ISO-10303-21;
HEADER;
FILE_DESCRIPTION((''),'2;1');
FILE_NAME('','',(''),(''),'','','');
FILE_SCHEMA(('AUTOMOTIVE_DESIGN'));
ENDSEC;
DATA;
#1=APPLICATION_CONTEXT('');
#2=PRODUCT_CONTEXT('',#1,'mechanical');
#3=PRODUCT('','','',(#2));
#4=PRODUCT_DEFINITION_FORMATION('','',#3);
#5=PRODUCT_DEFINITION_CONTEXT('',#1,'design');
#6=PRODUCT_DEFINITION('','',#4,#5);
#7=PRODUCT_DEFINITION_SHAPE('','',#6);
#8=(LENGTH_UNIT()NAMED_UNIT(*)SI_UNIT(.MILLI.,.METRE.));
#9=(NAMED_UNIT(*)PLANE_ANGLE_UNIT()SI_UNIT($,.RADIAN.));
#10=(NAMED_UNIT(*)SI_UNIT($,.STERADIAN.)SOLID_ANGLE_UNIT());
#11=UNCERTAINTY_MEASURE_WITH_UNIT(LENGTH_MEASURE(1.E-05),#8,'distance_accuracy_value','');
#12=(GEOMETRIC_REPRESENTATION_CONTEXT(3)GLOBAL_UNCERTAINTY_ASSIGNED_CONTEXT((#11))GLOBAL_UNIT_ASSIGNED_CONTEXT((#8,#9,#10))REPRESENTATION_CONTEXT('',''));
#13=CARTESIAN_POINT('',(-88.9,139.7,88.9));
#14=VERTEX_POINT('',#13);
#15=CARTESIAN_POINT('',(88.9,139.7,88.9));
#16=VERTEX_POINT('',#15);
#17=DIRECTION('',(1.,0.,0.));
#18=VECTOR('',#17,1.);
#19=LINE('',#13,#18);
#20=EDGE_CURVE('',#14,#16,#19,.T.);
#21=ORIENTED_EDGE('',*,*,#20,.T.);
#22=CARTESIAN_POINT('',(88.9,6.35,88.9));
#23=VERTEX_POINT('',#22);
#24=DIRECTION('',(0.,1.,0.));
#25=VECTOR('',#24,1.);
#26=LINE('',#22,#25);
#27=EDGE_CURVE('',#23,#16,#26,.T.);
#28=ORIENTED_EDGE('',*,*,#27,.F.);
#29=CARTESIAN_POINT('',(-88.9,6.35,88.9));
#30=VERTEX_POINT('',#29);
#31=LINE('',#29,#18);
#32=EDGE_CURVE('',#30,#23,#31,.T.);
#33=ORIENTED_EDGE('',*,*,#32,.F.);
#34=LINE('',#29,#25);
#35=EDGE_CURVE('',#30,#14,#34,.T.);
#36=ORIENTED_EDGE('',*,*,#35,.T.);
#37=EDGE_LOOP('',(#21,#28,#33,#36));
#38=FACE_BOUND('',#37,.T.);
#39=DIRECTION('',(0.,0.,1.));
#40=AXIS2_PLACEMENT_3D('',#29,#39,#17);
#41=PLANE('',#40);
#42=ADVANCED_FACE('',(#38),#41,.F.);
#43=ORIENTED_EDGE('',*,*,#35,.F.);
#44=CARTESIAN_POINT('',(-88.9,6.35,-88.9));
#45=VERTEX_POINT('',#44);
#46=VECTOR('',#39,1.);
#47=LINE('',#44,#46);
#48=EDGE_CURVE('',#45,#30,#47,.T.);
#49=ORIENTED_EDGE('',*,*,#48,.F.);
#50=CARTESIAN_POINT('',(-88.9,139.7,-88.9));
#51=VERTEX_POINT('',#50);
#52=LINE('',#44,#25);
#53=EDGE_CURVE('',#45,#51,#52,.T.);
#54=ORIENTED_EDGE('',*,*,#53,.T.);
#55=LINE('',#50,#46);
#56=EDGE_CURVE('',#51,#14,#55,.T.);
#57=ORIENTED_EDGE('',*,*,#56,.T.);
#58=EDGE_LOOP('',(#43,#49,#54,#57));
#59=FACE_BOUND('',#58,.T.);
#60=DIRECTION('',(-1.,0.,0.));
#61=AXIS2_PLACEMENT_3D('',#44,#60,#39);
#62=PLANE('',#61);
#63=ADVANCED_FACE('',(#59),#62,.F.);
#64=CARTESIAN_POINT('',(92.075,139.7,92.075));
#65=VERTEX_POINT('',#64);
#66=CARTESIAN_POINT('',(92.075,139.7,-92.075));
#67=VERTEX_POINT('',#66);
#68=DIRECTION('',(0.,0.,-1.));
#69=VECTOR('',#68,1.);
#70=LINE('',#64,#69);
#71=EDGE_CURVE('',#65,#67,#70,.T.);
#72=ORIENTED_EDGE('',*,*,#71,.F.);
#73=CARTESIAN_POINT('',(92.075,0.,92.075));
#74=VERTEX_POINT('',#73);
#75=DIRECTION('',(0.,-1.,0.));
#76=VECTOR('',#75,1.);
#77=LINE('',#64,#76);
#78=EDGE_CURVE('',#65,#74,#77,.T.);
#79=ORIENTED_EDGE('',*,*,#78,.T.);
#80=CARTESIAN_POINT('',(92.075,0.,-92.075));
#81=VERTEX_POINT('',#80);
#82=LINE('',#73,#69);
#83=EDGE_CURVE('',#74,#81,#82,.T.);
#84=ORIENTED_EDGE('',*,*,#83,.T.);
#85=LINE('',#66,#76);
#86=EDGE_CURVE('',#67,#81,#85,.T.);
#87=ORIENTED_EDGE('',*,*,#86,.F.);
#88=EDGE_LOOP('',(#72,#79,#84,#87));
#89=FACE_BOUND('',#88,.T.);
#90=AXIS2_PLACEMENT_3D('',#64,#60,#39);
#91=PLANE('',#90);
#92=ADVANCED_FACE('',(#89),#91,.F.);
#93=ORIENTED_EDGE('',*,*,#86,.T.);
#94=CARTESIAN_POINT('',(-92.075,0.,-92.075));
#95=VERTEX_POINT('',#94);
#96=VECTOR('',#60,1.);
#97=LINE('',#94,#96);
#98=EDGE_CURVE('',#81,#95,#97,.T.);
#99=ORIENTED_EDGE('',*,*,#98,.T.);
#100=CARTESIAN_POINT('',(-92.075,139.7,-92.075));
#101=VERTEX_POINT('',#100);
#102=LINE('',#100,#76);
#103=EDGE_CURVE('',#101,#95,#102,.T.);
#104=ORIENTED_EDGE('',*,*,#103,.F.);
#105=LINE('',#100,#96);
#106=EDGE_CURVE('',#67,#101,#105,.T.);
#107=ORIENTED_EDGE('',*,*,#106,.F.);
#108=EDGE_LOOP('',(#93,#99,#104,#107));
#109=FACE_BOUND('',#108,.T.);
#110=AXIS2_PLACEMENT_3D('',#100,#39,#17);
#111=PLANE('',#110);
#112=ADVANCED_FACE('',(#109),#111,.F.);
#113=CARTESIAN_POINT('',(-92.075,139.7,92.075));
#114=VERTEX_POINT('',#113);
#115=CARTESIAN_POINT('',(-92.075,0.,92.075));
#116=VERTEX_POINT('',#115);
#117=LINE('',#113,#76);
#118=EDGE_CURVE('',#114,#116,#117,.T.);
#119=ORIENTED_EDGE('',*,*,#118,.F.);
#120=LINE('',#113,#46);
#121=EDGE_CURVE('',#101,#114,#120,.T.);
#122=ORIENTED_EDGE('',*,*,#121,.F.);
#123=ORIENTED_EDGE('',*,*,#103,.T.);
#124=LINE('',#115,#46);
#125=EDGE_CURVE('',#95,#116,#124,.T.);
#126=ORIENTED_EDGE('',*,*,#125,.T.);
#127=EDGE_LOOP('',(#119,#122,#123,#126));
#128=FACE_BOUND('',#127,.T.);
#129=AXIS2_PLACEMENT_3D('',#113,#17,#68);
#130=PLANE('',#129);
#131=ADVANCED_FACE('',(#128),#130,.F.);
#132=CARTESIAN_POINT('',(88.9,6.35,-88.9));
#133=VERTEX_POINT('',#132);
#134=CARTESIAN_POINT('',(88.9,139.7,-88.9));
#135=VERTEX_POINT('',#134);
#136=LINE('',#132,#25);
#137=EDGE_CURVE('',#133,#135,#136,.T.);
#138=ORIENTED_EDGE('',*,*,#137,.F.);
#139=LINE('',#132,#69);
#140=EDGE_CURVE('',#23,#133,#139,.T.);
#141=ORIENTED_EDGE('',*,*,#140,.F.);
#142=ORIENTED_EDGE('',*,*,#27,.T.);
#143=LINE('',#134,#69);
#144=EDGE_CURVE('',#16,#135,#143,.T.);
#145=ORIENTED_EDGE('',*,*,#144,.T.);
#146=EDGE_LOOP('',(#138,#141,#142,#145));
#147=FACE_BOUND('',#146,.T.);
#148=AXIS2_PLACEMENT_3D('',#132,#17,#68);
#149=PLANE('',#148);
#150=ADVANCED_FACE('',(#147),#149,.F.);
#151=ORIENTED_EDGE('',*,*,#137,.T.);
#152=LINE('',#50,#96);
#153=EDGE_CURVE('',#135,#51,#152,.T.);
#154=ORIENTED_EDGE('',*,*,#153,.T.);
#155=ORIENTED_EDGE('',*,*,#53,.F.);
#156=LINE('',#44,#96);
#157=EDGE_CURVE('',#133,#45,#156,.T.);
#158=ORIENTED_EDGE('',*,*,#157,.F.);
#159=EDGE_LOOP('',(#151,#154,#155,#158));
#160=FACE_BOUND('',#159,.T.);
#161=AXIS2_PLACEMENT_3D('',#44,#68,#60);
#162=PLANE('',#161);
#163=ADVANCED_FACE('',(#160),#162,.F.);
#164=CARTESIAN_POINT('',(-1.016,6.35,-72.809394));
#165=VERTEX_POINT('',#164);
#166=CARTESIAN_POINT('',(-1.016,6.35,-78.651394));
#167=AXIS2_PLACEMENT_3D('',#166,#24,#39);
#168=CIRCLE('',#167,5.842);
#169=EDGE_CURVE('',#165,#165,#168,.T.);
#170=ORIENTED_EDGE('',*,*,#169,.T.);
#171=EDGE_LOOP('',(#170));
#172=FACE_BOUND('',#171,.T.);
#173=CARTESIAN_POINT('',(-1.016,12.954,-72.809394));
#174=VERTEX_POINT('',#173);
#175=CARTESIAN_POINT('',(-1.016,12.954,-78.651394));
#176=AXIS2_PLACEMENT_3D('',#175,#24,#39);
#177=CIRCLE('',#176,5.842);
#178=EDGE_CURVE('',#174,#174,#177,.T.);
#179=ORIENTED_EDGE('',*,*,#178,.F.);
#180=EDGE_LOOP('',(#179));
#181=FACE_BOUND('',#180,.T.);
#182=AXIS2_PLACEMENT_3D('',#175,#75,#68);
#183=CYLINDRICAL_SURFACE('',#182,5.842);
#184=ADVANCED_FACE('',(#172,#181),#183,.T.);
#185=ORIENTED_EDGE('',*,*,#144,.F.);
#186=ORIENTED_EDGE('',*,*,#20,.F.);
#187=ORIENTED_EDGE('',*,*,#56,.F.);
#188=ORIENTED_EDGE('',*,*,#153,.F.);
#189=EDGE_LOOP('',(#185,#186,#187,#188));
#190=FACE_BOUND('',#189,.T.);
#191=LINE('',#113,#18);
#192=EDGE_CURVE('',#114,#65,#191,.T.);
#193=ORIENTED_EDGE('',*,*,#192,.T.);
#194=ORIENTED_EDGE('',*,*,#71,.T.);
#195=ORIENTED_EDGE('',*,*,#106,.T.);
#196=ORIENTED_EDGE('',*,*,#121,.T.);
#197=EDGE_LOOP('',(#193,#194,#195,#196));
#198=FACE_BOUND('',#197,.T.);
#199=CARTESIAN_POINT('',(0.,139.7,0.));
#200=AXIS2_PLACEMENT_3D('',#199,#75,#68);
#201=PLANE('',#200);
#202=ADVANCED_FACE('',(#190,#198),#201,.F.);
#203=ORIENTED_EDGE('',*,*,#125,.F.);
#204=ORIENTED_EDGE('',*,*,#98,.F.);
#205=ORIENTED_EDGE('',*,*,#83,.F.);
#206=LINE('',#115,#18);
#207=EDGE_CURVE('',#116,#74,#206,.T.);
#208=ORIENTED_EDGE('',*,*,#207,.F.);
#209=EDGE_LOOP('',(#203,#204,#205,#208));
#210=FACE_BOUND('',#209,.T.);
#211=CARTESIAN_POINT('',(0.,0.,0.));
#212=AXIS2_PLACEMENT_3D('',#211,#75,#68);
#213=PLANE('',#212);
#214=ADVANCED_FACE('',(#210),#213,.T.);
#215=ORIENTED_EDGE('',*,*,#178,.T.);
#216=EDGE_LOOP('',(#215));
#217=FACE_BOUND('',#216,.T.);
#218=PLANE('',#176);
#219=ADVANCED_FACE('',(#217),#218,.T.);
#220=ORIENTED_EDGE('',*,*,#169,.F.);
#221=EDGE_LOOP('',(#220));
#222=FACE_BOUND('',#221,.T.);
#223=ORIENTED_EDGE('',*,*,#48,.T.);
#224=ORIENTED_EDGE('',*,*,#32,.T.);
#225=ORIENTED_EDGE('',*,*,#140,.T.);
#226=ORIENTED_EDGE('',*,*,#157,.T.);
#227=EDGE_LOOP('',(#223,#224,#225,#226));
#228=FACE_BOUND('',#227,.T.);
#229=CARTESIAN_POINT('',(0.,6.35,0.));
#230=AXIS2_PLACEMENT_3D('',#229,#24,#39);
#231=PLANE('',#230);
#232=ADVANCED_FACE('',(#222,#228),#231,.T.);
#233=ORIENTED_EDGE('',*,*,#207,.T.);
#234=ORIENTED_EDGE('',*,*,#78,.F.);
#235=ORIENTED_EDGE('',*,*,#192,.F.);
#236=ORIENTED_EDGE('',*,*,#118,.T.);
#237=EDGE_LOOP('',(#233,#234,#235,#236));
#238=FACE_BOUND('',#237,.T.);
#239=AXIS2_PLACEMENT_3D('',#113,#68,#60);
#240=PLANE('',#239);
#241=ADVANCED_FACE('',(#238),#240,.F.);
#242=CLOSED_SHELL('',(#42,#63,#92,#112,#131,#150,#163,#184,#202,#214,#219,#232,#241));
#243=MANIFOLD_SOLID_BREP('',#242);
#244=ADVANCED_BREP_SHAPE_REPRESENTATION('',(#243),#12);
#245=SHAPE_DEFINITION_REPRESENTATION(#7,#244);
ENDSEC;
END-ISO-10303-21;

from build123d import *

# Parameters (mm, degrees)
SKETCH1_W           = 184.15
SKETCH1_H           = 184.15
BOSS_EXTRUDE1_DEPTH = 139.7
SKETCH2_W           = 177.8
SKETCH2_H           = 177.8
CUT_EXTRUDE1_DEPTH  = 133.35
SKETCH3_R           = 5.842
BOSS_EXTRUDE2_DEPTH = 6.604


with BuildPart() as part:
    # Sketch1 → Boss-Extrude1 (new body)
    with BuildSketch(Plane(origin=(0, 0, 0), x_dir=(1, 0, 0), z_dir=(0, 1, 0))):
        Rectangle(SKETCH1_W, SKETCH1_H)
    extrude(amount=BOSS_EXTRUDE1_DEPTH)

    # Sketch2 → Cut-Extrude1 (cut)
    with BuildSketch(Plane(origin=(0, 139.7, 0), x_dir=(1, 0, 0), z_dir=(0, 1, 0))):
        Rectangle(SKETCH2_W, SKETCH2_H)
    extrude(amount=-CUT_EXTRUDE1_DEPTH, mode=Mode.SUBTRACT)

    # Sketch3 → Boss-Extrude2 (add)
    with BuildSketch(Plane(origin=(0, 6.35, 0), x_dir=(1, 0, 0), z_dir=(0, 1, 0))):
        with Locations((-1.016, 78.651394374)):
            Circle(SKETCH3_R)
    extrude(amount=BOSS_EXTRUDE2_DEPTH)


solid = part.part
